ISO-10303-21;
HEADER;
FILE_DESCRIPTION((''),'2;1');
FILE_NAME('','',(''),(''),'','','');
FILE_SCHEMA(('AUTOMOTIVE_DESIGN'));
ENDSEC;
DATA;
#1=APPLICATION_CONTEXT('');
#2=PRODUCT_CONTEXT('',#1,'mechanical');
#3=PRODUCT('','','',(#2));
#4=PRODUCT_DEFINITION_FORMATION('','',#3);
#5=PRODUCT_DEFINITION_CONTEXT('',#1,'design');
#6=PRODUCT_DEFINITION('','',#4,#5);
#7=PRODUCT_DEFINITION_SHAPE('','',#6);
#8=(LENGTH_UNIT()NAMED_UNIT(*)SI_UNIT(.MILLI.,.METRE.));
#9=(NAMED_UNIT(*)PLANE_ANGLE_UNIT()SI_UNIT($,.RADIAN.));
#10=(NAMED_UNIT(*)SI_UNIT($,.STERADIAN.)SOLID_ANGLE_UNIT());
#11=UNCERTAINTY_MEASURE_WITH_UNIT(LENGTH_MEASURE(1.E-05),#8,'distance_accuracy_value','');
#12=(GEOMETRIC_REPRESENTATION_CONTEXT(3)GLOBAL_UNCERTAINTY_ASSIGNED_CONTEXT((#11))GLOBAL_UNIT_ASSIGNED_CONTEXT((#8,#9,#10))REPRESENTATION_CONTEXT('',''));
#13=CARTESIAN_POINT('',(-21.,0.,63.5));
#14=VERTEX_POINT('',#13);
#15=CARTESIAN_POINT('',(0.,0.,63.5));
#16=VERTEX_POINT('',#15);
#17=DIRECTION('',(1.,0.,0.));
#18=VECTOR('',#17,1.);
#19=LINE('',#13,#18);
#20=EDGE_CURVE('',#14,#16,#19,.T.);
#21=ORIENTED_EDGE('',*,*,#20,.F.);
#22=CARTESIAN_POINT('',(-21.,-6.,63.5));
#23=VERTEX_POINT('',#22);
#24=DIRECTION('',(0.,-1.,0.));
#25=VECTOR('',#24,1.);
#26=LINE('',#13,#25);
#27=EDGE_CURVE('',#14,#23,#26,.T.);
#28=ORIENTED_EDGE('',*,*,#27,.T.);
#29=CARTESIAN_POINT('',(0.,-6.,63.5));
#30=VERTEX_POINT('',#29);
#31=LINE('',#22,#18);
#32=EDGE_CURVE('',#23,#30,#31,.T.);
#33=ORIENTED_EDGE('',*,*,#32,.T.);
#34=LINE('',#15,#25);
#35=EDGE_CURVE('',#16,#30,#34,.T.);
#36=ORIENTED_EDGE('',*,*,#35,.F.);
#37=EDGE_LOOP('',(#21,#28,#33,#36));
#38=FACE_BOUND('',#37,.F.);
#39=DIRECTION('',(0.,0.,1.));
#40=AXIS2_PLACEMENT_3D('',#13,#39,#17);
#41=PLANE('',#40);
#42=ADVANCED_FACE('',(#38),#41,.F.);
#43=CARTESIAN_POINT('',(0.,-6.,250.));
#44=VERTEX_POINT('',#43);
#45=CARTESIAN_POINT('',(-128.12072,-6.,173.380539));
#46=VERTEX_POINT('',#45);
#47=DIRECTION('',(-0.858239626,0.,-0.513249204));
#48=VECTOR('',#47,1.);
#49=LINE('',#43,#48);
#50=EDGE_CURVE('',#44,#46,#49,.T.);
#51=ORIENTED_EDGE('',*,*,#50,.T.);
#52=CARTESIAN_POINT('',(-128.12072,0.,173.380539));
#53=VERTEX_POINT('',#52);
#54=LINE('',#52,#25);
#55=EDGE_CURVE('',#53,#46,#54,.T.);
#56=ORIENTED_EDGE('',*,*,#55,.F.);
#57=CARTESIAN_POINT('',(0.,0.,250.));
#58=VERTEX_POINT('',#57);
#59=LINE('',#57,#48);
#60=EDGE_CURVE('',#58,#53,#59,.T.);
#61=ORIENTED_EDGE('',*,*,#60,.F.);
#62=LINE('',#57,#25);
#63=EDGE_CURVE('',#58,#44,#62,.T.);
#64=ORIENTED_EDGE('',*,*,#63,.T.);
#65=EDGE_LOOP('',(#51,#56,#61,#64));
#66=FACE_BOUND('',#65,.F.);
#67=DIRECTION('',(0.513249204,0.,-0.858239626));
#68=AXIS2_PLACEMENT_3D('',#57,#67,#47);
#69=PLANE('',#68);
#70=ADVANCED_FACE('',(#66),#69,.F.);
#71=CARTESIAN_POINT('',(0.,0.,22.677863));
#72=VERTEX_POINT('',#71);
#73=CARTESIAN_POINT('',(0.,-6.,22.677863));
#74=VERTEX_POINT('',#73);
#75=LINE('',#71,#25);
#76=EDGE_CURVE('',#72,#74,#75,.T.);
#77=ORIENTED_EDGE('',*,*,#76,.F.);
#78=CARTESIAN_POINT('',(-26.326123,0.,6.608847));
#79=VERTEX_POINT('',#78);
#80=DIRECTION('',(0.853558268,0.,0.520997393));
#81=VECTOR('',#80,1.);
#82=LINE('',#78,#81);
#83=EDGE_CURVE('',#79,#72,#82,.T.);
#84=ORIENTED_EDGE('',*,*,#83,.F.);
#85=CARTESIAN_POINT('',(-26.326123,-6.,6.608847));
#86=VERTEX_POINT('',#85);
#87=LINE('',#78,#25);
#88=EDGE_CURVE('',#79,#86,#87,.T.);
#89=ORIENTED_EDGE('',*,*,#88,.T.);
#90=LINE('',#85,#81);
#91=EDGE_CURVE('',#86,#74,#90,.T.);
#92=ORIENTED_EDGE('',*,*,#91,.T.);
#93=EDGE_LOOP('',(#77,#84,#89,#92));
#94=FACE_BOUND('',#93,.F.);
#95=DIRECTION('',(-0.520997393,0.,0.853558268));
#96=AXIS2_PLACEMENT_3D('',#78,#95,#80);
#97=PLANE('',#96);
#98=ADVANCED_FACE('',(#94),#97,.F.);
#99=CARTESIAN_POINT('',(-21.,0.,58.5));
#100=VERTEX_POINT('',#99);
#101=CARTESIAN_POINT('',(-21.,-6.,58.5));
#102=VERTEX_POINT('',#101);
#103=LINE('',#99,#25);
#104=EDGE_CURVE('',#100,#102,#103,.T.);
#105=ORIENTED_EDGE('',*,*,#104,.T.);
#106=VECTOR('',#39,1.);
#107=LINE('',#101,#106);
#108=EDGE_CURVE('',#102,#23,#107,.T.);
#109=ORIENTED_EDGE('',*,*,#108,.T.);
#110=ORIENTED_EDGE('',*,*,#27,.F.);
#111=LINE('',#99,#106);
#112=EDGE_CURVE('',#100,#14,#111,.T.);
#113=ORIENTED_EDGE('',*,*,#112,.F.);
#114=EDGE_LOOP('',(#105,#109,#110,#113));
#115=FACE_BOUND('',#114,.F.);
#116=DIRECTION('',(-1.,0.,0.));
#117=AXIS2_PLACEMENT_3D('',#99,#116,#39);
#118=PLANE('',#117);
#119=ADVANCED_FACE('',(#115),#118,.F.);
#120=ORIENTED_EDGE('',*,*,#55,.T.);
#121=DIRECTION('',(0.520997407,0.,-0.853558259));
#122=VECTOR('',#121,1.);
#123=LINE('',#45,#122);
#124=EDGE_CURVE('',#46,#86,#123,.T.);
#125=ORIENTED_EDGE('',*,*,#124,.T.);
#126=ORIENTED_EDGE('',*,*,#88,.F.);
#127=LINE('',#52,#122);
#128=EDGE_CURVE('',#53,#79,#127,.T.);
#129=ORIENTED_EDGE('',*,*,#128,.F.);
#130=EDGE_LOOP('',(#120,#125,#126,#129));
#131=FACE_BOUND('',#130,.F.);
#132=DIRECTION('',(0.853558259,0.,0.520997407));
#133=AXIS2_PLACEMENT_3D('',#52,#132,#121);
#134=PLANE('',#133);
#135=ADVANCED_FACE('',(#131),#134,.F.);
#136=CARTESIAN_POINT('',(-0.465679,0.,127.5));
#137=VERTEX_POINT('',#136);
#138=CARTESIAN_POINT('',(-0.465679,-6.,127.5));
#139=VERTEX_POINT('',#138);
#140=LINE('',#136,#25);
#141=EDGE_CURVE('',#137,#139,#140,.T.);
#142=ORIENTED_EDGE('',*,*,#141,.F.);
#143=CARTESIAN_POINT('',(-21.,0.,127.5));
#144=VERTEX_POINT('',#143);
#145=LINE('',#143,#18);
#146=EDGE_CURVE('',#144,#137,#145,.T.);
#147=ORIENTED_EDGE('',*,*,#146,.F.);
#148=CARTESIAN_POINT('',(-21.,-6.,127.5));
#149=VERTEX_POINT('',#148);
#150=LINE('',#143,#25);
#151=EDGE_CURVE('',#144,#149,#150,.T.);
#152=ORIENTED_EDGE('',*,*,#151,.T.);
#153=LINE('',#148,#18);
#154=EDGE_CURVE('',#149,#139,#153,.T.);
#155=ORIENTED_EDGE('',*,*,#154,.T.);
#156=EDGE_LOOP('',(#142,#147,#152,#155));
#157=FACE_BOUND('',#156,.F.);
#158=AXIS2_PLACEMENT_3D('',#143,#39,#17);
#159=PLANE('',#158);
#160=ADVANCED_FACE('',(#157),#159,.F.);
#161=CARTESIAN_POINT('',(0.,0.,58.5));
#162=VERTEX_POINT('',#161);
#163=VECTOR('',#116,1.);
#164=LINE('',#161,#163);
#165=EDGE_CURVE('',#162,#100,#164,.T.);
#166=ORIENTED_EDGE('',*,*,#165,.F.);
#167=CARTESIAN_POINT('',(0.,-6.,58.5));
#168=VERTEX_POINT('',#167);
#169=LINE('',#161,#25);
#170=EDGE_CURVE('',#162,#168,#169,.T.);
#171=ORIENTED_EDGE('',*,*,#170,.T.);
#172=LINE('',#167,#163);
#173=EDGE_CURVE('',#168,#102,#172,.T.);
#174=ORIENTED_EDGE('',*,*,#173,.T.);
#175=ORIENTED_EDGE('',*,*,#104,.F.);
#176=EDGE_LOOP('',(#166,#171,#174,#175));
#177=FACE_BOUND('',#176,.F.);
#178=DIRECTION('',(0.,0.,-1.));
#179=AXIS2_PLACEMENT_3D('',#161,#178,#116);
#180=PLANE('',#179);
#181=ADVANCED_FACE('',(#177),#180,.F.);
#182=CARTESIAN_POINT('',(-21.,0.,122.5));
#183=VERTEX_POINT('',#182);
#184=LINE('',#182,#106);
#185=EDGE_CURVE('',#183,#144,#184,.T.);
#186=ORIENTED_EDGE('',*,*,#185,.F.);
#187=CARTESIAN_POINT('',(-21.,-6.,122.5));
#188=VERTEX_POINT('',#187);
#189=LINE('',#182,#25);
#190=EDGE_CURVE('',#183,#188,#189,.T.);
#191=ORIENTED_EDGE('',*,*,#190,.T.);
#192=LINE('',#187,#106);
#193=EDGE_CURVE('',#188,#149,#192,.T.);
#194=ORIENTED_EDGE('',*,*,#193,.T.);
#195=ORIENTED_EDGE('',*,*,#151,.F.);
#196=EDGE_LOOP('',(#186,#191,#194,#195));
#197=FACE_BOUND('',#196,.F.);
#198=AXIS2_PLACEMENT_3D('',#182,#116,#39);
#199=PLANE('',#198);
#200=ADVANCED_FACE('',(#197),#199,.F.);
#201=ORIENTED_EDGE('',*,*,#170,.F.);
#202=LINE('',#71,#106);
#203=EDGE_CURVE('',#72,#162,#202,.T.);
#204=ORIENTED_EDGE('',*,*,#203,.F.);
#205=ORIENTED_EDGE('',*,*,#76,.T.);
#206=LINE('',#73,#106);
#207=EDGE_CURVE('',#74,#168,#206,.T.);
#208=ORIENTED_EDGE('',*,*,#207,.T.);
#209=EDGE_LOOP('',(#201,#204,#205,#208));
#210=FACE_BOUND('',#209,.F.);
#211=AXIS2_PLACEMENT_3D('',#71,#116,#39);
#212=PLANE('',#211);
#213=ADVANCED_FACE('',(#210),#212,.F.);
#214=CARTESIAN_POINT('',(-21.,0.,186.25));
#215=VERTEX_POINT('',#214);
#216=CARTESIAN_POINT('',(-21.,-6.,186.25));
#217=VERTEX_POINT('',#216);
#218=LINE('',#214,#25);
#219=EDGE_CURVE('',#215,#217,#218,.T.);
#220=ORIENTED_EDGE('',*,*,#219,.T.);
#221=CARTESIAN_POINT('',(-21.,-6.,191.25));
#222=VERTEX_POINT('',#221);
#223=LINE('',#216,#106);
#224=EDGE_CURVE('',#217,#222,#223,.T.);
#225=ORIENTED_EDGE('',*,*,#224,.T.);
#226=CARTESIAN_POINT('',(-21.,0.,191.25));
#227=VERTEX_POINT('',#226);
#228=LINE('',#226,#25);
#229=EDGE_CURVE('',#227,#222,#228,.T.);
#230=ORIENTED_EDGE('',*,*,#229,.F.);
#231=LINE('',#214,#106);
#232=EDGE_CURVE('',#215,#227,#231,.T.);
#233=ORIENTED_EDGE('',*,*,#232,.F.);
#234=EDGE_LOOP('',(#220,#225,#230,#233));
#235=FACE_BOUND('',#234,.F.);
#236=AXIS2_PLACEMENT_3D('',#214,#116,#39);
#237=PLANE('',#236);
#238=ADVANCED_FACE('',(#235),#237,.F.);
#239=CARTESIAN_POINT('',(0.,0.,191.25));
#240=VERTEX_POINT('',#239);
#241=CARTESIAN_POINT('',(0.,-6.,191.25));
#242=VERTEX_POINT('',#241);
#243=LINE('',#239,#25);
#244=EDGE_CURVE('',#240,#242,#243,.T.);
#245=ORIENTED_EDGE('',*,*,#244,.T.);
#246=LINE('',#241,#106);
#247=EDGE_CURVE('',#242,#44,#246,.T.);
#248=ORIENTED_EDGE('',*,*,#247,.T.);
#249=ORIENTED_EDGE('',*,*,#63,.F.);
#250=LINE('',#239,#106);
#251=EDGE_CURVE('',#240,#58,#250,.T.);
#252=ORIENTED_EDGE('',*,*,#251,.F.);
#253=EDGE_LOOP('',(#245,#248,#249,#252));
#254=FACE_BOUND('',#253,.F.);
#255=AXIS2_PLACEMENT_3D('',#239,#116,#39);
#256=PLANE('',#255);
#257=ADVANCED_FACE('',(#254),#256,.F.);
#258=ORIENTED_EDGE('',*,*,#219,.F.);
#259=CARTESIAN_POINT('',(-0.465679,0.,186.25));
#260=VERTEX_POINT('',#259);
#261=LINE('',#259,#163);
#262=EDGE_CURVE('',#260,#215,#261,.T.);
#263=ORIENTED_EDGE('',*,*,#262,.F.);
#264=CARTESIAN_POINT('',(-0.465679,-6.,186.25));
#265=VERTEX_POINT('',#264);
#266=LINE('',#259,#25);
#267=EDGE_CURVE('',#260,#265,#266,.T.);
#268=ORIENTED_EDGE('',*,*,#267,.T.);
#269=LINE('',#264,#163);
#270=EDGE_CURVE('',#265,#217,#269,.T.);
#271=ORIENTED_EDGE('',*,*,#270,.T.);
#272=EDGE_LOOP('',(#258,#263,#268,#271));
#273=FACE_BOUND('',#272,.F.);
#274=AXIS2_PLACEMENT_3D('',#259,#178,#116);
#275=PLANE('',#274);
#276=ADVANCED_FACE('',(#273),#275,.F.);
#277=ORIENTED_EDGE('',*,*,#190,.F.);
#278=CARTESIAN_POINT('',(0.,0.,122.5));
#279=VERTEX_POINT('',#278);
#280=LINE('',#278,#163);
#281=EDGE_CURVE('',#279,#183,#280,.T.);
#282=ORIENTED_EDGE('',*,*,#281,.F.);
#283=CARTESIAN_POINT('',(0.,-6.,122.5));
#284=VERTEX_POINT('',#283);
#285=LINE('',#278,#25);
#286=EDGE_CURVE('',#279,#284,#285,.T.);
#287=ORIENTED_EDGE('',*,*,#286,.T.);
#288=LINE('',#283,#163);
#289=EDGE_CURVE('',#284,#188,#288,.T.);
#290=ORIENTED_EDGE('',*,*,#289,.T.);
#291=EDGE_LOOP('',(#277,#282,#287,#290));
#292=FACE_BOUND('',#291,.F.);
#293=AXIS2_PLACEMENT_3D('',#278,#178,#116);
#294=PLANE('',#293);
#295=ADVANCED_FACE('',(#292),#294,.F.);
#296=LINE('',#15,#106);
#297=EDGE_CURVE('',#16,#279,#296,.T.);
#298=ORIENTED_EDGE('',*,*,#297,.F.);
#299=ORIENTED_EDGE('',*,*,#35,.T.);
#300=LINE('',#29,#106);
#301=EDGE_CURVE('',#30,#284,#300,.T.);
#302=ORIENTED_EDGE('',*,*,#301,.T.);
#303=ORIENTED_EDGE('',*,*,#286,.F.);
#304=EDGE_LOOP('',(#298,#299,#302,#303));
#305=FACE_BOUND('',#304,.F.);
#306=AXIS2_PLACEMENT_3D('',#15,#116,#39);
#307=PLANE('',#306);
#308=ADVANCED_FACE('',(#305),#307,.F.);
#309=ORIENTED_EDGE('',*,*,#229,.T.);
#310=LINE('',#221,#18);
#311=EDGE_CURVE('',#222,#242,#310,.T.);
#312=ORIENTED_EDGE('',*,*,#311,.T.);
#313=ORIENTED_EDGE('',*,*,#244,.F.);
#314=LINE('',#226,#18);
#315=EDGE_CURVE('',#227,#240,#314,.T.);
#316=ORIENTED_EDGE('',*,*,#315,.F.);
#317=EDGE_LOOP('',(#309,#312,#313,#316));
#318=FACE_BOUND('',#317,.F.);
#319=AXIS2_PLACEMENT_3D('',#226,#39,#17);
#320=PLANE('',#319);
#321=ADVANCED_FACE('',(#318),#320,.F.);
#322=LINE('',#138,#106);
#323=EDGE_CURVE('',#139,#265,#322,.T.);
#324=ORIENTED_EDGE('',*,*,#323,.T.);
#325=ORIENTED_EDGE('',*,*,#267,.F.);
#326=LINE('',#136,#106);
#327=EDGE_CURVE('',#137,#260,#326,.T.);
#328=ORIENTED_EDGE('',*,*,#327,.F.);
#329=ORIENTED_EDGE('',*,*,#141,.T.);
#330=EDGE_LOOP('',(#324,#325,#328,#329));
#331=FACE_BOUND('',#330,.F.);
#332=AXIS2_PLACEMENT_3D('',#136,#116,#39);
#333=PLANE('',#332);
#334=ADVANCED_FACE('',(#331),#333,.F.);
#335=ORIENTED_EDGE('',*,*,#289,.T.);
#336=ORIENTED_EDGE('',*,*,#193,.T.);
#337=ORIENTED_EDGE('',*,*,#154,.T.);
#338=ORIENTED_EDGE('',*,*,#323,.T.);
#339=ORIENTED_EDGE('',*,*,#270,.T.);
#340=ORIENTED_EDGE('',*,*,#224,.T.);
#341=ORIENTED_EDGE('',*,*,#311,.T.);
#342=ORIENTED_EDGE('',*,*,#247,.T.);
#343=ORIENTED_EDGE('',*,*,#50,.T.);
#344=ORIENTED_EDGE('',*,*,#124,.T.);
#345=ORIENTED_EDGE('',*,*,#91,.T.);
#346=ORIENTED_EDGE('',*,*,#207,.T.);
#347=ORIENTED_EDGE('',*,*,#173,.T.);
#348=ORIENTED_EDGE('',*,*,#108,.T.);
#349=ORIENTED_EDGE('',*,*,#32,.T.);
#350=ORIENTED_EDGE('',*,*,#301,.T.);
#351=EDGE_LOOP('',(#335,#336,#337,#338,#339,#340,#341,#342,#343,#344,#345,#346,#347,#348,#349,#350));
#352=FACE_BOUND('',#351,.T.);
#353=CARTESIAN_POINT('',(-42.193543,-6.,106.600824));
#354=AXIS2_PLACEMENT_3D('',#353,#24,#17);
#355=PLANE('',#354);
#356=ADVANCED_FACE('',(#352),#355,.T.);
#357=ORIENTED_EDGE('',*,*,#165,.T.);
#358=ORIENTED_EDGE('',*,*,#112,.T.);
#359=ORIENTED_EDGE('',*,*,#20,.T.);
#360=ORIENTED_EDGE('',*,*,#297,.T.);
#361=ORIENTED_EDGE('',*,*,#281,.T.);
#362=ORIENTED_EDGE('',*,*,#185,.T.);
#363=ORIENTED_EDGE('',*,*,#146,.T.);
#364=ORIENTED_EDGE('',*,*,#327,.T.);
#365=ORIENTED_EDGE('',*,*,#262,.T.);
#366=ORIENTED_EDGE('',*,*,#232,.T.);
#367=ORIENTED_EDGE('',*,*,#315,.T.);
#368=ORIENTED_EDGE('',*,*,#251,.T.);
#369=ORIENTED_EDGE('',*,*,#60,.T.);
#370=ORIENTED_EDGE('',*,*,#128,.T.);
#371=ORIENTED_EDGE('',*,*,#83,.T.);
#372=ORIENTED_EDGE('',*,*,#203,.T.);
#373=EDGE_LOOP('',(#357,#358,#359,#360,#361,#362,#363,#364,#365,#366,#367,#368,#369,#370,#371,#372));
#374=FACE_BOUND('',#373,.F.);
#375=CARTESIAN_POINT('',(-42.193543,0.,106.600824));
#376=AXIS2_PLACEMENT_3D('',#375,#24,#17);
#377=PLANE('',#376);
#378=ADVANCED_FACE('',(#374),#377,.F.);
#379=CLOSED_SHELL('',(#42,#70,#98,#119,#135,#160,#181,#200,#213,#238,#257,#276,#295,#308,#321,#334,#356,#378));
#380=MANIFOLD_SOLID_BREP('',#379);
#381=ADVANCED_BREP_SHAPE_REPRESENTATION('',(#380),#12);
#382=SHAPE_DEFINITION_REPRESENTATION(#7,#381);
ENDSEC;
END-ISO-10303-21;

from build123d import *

# Parameters (mm, degrees)
F1_DEPTH = 6


with BuildPart() as f1:
    # F0 (on Front) → F1 (new body)
    with BuildSketch(Plane.XZ):
        Polygon((0, 22.677863), (0, 58.5), (-21, 58.5), (-21, 63.5), (0, 63.5), (0, 63.75), (0, 122.5), (-21, 122.5), (-21, 127.5), (-0.465679, 127.5), (-0.465679, 173.380539), (-128.12072, 173.380539), (-26.326123, 6.608847), align=None)
        Polygon((0, 250), (-128.12072, 173.380539), (-0.465679, 173.380539), (-0.465679, 186.25), (-21, 186.25), (-21, 191.25), (0, 191.25), align=None)
    extrude(amount=F1_DEPTH)


solid = f1.part
